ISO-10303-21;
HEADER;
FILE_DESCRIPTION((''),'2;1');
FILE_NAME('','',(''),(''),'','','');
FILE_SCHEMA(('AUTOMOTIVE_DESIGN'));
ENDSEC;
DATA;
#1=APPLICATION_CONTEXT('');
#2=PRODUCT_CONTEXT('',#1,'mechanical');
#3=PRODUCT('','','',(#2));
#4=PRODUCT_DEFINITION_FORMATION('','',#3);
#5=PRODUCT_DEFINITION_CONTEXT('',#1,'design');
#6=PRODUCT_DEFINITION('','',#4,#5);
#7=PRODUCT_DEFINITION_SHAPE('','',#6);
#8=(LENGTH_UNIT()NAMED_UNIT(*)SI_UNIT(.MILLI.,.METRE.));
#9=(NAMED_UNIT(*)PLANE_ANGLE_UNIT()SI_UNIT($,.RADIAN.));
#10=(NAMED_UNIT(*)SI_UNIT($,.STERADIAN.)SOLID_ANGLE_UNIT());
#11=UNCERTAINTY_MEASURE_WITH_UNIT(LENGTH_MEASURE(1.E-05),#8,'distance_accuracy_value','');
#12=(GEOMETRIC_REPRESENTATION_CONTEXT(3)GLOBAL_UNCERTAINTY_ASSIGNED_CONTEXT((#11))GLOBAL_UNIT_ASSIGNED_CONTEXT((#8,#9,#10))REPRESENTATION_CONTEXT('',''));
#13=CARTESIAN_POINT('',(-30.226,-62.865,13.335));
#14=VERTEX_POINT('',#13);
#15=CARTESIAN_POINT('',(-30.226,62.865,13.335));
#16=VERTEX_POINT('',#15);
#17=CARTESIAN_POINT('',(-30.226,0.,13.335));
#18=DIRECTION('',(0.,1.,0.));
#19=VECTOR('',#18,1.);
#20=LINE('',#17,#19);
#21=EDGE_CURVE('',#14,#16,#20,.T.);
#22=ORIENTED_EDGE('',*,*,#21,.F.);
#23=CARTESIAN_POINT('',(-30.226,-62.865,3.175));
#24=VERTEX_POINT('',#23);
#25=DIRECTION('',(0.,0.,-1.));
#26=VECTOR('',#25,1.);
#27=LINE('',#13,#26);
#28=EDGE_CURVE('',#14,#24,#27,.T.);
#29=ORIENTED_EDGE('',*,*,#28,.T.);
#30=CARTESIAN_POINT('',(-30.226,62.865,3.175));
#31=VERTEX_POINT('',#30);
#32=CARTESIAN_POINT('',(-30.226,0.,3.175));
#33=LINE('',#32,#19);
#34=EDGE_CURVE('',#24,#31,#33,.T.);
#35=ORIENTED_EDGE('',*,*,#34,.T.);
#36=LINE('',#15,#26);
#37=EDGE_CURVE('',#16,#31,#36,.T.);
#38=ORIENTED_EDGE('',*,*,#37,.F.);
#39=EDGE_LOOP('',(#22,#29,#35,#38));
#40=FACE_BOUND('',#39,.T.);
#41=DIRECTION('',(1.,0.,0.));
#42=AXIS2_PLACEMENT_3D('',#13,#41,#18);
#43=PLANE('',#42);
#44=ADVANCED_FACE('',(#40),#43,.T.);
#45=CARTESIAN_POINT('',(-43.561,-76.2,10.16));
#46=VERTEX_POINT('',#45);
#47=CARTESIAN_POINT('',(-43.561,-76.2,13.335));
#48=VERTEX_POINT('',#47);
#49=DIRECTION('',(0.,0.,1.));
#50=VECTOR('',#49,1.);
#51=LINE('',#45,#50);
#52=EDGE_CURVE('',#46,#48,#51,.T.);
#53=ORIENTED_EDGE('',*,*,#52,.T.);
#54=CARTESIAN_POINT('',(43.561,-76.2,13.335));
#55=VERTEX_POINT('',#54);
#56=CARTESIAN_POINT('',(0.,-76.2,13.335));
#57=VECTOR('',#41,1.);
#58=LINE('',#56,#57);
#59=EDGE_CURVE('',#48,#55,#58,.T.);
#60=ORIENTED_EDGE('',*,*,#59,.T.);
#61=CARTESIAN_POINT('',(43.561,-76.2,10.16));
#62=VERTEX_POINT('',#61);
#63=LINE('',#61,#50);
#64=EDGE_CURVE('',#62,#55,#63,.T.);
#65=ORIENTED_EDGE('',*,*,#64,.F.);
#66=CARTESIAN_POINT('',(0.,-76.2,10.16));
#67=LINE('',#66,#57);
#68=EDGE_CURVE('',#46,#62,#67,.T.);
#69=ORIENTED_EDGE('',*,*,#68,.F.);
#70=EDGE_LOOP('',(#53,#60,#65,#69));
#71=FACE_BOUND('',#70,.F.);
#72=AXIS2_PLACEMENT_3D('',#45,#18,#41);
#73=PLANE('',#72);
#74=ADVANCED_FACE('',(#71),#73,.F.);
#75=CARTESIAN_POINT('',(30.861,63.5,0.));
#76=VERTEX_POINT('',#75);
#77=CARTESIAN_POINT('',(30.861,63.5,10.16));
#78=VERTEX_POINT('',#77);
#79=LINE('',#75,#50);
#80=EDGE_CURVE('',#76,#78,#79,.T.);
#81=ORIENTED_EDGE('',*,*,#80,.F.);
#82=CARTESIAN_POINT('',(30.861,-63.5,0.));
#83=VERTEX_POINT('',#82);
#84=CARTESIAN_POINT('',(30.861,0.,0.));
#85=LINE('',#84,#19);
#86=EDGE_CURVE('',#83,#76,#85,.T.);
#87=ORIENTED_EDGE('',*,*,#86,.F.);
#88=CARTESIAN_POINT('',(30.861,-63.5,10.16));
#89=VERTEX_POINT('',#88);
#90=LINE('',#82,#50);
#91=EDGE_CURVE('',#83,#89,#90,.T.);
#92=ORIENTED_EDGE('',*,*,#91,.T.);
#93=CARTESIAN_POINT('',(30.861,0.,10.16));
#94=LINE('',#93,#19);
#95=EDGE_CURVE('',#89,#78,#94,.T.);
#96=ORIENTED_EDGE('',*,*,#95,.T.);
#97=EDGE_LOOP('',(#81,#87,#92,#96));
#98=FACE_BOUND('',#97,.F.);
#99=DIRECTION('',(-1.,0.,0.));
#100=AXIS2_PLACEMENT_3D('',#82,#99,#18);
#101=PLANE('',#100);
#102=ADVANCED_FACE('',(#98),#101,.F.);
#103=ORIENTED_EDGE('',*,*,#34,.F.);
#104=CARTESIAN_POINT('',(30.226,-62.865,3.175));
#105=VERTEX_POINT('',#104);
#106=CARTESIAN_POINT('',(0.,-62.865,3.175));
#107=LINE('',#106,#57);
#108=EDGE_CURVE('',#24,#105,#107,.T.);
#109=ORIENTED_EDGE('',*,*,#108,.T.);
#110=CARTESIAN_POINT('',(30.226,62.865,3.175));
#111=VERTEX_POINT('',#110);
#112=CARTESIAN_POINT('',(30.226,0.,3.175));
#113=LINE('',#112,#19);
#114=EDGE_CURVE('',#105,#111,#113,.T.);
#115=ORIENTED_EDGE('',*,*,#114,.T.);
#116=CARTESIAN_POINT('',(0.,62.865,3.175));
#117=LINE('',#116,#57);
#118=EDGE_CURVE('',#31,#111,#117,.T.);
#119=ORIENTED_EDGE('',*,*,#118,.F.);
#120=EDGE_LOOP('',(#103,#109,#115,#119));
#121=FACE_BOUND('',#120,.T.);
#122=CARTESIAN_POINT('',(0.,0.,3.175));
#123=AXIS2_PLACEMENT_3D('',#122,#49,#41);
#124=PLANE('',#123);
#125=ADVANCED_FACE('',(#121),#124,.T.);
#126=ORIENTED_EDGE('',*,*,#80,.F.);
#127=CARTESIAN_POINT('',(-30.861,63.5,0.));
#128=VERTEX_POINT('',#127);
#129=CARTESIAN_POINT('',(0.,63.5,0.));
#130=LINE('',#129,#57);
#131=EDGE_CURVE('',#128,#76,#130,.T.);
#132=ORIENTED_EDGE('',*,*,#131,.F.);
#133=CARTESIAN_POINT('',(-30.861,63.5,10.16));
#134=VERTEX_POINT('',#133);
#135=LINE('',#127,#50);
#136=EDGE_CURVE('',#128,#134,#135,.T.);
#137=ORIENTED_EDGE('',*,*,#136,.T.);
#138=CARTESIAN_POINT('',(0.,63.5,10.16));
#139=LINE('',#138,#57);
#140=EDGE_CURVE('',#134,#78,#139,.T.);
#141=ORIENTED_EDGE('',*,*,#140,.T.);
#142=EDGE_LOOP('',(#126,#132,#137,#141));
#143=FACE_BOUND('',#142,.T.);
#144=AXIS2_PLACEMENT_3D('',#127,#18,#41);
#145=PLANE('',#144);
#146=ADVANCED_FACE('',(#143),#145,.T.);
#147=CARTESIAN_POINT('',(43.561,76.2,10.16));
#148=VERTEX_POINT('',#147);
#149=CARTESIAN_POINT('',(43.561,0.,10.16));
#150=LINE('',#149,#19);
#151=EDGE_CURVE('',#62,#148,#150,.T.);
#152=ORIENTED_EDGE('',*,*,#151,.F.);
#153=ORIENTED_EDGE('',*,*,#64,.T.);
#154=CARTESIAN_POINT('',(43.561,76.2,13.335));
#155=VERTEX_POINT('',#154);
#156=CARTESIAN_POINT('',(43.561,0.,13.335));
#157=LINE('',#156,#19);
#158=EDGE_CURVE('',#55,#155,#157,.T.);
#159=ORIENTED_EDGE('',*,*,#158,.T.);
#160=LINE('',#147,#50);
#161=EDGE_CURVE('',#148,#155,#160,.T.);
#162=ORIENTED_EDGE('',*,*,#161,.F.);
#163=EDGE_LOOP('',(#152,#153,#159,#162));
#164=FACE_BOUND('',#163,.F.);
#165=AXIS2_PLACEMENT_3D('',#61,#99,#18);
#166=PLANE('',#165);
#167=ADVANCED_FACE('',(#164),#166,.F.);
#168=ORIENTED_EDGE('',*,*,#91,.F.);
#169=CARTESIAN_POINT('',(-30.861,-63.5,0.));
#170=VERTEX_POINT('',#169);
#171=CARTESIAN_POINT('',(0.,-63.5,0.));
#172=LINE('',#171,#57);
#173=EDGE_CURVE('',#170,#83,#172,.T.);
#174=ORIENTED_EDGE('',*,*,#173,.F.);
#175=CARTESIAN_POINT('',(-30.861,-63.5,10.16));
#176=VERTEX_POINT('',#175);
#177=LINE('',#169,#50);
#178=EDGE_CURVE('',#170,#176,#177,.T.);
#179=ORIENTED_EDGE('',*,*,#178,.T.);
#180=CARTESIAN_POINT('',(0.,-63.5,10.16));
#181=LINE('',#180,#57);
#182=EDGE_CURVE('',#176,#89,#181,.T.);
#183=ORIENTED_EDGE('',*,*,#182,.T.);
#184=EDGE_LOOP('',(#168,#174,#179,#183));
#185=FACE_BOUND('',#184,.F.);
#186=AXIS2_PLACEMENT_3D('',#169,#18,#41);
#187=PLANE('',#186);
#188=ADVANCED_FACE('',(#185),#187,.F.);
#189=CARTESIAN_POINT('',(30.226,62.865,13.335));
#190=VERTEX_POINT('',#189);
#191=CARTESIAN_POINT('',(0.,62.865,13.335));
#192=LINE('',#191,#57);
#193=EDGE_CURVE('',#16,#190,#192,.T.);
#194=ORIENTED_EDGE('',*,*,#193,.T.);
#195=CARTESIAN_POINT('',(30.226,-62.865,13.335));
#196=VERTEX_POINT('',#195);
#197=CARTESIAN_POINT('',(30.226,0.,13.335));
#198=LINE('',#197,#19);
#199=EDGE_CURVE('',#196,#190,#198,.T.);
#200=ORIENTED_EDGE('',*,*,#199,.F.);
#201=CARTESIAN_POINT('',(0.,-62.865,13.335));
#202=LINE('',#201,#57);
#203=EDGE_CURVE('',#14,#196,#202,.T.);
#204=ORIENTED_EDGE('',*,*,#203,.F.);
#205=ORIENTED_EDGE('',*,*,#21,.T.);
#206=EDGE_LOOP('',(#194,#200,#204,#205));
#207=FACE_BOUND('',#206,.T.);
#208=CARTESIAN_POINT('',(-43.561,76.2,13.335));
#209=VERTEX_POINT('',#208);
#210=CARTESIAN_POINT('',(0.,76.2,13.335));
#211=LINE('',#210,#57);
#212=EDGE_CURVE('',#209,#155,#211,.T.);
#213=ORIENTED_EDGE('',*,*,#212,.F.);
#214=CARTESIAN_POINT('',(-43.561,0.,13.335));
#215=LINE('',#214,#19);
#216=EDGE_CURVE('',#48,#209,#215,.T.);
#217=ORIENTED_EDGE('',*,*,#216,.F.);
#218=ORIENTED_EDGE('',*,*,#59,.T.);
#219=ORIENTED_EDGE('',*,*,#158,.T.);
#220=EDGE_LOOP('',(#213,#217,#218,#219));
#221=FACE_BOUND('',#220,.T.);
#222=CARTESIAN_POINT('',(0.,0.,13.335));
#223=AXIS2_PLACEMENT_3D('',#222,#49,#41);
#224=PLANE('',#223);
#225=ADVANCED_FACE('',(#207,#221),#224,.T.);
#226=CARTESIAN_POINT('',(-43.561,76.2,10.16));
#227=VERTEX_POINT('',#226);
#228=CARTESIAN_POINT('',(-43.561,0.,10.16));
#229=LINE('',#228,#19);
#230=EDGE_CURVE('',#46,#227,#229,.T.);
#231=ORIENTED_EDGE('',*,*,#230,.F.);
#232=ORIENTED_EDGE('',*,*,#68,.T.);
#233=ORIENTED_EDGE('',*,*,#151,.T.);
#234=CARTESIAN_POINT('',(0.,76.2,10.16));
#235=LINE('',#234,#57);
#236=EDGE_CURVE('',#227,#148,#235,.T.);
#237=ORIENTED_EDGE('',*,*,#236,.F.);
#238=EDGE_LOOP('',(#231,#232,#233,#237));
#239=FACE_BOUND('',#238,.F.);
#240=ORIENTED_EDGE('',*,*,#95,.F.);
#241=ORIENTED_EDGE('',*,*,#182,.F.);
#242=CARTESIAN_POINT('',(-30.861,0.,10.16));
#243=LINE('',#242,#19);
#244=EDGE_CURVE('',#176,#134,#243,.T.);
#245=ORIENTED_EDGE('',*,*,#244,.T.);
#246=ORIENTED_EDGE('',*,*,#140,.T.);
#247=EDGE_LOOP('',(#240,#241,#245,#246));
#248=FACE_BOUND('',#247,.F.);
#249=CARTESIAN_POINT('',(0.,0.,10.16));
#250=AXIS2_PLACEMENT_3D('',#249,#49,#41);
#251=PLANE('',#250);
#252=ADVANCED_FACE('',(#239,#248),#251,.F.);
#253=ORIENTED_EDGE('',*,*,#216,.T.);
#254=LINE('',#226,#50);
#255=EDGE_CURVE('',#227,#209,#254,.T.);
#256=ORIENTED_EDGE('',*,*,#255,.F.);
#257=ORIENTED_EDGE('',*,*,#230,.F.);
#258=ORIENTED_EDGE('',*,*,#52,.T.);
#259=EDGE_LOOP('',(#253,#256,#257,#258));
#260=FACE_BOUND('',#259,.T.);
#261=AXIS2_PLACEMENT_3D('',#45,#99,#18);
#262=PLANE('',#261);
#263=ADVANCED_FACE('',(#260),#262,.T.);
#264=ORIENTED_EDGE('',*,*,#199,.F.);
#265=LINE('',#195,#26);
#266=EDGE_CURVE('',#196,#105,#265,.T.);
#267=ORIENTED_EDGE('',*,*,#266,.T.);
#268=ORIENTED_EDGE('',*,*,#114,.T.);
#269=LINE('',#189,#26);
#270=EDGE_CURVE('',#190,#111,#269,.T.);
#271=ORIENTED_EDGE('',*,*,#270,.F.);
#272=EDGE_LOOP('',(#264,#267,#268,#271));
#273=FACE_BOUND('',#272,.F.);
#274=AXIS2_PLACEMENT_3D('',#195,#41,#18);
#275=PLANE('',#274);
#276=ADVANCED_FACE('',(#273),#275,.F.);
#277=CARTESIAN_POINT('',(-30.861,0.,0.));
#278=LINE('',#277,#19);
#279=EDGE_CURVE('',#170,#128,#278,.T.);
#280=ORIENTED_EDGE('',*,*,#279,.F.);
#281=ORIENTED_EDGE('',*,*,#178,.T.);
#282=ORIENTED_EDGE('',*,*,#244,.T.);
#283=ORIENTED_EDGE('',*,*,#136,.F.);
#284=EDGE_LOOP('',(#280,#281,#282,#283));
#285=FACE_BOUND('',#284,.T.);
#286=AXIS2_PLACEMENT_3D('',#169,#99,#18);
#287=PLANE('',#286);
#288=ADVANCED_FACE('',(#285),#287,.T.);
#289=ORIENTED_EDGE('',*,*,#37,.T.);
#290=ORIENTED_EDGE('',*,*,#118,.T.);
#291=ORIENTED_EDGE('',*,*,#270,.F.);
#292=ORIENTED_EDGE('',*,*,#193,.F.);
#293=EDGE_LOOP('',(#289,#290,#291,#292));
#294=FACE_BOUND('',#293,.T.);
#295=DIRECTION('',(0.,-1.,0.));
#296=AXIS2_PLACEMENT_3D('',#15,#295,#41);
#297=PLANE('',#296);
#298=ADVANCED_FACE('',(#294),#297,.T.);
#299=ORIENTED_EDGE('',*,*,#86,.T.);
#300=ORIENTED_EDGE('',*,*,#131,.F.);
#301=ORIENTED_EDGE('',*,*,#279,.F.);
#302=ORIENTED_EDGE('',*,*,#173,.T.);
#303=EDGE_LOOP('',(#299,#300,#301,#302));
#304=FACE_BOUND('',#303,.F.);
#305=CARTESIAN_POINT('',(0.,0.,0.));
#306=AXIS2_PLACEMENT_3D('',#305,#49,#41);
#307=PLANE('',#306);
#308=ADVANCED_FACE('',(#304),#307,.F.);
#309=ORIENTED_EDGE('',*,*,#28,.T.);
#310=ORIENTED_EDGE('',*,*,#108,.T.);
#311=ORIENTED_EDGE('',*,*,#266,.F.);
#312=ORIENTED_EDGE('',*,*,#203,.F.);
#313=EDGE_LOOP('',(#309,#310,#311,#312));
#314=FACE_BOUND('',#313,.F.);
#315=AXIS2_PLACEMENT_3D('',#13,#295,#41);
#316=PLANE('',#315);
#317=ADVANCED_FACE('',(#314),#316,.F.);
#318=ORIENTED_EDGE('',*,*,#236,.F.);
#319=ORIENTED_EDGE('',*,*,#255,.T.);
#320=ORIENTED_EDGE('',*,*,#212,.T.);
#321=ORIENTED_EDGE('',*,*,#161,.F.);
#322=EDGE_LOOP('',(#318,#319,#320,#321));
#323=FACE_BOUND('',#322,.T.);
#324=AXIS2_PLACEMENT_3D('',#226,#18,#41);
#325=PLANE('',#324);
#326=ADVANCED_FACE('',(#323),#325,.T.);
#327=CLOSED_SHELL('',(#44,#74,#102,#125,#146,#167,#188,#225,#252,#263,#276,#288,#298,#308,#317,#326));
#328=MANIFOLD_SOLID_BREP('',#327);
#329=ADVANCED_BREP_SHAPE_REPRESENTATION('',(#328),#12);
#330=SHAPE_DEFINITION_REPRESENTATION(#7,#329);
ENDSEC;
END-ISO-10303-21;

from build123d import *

# Parameters (mm, degrees)
F0_W     = 61.722
F0_H     = 127
F1_DEPTH = 10.16
F2_W     = 87.122
F2_H     = 152.4
F3_DEPTH = 3.175
F4_W     = 60.452
F4_H     = 125.73
F5_DEPTH = 10.16


with BuildPart() as f1:
    # F0 (on Top) → F1 (new body)
    with BuildSketch(Plane.XY):
        Rectangle(F0_W, F0_H)
    extrude(amount=F1_DEPTH)

    # F2 (on face) → F3 (join)
    with BuildSketch(Plane.XY.offset(10.16)):
        Rectangle(F2_W, F2_H)
    extrude(amount=F3_DEPTH)

    # F4 (on face) → F5 (cut)
    with BuildSketch(Plane.XY.offset(13.335)):
        Rectangle(F4_W, F4_H)
    extrude(amount=-F5_DEPTH, mode=Mode.SUBTRACT)


solid = f1.part
